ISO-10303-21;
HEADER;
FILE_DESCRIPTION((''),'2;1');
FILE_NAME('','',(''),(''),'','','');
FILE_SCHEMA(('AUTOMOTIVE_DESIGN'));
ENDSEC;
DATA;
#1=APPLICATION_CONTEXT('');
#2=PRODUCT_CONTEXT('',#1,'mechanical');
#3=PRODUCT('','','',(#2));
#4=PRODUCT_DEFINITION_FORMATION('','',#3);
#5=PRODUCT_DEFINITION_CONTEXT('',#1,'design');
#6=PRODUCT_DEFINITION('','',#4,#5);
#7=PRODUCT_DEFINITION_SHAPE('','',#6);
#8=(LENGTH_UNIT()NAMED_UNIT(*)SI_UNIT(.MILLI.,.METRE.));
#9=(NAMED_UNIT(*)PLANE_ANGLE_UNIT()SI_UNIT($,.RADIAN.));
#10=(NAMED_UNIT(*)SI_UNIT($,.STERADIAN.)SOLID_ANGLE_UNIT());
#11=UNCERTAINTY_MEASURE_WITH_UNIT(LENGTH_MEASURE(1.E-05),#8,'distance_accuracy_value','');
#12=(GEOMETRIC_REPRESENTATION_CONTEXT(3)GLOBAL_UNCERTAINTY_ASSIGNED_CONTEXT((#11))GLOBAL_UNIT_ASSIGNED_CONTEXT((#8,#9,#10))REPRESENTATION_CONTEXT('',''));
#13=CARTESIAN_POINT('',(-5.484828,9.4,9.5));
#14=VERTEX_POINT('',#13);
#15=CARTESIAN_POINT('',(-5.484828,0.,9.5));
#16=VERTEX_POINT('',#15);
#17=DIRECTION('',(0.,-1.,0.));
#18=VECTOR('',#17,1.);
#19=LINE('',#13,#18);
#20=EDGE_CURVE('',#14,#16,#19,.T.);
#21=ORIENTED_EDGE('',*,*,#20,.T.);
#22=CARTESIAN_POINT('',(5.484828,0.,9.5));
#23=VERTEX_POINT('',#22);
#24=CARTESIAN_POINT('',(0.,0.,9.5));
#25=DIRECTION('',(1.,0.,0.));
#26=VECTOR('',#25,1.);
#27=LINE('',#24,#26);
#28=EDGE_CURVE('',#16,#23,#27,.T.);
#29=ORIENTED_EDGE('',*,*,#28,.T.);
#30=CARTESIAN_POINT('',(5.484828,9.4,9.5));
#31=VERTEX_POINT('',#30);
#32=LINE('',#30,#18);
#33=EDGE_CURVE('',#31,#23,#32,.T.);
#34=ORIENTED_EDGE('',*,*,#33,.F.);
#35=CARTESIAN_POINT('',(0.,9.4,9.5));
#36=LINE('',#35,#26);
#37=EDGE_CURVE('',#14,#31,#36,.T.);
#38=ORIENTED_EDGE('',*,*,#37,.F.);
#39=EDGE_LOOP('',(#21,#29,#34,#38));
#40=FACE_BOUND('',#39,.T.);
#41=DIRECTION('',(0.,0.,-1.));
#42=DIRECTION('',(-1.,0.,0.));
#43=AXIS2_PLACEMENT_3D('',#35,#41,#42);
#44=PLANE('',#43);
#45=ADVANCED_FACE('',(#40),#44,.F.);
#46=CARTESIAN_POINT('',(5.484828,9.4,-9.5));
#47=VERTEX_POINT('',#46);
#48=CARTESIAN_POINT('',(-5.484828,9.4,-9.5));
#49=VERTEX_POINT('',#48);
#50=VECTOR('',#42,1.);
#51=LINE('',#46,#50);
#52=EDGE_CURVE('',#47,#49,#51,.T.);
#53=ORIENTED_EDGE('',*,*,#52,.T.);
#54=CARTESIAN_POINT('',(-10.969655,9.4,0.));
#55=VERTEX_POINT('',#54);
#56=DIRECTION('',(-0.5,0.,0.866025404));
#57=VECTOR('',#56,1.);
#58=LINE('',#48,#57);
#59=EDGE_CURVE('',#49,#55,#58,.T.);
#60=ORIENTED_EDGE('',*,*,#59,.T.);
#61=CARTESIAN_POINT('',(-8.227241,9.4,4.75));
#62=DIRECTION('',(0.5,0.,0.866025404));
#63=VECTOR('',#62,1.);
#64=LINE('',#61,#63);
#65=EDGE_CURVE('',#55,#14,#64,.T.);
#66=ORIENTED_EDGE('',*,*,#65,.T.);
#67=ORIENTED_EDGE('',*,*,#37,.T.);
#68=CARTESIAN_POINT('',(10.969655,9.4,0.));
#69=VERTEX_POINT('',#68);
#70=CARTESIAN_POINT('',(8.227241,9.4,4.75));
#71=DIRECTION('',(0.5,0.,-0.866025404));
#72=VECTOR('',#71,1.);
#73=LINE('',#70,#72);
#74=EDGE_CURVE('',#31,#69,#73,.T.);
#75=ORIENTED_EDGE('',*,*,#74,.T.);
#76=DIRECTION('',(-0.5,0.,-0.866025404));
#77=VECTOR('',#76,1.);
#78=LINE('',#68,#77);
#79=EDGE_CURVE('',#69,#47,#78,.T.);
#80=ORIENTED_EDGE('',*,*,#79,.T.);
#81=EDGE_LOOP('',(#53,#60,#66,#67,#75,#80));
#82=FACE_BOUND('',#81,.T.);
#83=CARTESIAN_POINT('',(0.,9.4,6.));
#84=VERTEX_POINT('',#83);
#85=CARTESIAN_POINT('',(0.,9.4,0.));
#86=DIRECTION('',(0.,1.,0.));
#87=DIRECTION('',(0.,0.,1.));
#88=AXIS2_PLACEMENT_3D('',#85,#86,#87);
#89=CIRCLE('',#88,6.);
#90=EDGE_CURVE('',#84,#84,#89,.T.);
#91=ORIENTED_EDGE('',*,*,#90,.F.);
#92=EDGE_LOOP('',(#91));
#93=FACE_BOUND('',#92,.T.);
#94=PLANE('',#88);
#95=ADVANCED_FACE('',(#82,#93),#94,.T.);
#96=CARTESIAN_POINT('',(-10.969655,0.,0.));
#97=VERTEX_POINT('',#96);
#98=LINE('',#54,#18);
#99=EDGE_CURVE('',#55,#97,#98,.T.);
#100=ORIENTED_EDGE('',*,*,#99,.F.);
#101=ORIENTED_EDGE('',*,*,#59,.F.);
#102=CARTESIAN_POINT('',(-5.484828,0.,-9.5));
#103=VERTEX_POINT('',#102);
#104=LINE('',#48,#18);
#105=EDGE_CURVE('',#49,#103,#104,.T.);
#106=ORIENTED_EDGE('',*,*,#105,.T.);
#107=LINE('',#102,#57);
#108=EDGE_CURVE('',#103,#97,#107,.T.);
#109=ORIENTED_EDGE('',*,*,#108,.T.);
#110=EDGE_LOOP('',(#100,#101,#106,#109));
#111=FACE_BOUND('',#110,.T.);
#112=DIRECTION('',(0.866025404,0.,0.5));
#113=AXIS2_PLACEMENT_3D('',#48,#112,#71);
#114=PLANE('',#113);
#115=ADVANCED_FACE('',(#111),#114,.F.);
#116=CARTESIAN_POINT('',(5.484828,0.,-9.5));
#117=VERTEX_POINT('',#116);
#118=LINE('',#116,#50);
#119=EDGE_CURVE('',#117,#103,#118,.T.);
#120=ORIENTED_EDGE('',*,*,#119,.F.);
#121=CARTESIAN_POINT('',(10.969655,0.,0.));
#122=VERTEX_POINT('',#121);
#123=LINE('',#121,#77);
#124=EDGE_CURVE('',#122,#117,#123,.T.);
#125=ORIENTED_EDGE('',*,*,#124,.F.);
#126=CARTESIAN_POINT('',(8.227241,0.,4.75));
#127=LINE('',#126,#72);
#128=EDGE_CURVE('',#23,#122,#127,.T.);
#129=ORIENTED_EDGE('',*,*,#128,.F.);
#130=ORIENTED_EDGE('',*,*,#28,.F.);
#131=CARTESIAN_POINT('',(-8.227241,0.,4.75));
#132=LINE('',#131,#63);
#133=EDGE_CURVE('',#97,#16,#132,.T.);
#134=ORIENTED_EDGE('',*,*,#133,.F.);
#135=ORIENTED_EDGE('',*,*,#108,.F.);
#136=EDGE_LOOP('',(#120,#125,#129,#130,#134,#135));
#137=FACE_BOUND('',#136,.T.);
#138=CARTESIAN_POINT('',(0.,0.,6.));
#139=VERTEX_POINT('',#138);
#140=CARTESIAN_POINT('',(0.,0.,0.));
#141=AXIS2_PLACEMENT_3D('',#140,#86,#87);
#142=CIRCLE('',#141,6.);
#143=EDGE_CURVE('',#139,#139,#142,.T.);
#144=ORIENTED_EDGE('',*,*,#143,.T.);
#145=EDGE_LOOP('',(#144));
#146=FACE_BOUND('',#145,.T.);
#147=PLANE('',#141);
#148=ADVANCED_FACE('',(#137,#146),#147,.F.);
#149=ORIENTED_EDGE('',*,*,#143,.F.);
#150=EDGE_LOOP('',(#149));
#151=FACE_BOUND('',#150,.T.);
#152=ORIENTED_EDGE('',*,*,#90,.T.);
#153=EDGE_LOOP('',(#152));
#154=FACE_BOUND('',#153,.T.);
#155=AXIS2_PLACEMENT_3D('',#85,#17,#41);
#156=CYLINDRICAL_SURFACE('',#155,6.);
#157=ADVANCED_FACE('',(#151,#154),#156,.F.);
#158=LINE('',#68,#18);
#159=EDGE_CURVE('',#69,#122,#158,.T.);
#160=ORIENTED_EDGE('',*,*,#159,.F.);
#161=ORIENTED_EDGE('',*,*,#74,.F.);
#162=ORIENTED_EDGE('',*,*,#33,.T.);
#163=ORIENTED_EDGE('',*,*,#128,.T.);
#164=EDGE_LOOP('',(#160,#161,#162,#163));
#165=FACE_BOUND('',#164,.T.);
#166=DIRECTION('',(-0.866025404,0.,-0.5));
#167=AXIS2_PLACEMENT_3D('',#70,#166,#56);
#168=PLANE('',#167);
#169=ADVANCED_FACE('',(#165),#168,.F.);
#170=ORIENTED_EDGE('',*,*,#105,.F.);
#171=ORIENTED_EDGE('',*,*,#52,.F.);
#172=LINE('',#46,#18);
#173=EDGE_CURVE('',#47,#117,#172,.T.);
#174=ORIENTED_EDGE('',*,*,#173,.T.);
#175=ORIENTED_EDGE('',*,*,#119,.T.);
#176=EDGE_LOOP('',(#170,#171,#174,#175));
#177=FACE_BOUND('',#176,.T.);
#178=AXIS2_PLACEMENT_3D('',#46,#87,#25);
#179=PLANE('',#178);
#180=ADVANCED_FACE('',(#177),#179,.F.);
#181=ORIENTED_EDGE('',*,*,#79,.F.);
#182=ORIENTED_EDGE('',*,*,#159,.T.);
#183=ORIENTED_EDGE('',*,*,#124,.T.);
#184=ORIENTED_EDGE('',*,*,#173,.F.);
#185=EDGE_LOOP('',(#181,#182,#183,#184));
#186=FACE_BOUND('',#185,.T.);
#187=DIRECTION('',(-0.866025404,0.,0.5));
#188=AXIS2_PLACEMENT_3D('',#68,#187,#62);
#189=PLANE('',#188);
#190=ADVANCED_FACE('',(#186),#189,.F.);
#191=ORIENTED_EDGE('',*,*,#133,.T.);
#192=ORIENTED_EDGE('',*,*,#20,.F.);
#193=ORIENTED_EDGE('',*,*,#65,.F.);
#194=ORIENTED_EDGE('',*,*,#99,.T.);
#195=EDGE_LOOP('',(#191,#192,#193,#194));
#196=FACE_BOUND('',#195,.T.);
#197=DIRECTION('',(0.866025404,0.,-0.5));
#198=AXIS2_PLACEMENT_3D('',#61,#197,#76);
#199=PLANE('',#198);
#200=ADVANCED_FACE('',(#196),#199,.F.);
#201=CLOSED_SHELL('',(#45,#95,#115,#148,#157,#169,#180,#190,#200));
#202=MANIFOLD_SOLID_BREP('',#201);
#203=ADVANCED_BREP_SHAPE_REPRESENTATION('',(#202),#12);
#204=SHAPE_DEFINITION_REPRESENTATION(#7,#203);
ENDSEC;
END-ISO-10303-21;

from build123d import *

# Parameters (mm, degrees)
SKETCH1_R           = 6
BOSS_EXTRUDE1_DEPTH = 9.4


with BuildPart() as part:
    # Sketch1 → Boss-Extrude1 (new body)
    with BuildSketch(Plane(origin=(0, 0, 0), x_dir=(1, 0, 0), z_dir=(0, 1, 0))):
        Polygon((5.484827557, 9.5), (-5.484827557, 9.5), (-10.969655115, 0), (-5.484827557, -9.5), (5.484827557, -9.5), (10.969655115, 0), align=None)
        with Locations(Location((0, 0, 0), (0, 0, 270))):
            Circle(SKETCH1_R, mode=Mode.SUBTRACT)
    extrude(amount=BOSS_EXTRUDE1_DEPTH)


solid = part.part
